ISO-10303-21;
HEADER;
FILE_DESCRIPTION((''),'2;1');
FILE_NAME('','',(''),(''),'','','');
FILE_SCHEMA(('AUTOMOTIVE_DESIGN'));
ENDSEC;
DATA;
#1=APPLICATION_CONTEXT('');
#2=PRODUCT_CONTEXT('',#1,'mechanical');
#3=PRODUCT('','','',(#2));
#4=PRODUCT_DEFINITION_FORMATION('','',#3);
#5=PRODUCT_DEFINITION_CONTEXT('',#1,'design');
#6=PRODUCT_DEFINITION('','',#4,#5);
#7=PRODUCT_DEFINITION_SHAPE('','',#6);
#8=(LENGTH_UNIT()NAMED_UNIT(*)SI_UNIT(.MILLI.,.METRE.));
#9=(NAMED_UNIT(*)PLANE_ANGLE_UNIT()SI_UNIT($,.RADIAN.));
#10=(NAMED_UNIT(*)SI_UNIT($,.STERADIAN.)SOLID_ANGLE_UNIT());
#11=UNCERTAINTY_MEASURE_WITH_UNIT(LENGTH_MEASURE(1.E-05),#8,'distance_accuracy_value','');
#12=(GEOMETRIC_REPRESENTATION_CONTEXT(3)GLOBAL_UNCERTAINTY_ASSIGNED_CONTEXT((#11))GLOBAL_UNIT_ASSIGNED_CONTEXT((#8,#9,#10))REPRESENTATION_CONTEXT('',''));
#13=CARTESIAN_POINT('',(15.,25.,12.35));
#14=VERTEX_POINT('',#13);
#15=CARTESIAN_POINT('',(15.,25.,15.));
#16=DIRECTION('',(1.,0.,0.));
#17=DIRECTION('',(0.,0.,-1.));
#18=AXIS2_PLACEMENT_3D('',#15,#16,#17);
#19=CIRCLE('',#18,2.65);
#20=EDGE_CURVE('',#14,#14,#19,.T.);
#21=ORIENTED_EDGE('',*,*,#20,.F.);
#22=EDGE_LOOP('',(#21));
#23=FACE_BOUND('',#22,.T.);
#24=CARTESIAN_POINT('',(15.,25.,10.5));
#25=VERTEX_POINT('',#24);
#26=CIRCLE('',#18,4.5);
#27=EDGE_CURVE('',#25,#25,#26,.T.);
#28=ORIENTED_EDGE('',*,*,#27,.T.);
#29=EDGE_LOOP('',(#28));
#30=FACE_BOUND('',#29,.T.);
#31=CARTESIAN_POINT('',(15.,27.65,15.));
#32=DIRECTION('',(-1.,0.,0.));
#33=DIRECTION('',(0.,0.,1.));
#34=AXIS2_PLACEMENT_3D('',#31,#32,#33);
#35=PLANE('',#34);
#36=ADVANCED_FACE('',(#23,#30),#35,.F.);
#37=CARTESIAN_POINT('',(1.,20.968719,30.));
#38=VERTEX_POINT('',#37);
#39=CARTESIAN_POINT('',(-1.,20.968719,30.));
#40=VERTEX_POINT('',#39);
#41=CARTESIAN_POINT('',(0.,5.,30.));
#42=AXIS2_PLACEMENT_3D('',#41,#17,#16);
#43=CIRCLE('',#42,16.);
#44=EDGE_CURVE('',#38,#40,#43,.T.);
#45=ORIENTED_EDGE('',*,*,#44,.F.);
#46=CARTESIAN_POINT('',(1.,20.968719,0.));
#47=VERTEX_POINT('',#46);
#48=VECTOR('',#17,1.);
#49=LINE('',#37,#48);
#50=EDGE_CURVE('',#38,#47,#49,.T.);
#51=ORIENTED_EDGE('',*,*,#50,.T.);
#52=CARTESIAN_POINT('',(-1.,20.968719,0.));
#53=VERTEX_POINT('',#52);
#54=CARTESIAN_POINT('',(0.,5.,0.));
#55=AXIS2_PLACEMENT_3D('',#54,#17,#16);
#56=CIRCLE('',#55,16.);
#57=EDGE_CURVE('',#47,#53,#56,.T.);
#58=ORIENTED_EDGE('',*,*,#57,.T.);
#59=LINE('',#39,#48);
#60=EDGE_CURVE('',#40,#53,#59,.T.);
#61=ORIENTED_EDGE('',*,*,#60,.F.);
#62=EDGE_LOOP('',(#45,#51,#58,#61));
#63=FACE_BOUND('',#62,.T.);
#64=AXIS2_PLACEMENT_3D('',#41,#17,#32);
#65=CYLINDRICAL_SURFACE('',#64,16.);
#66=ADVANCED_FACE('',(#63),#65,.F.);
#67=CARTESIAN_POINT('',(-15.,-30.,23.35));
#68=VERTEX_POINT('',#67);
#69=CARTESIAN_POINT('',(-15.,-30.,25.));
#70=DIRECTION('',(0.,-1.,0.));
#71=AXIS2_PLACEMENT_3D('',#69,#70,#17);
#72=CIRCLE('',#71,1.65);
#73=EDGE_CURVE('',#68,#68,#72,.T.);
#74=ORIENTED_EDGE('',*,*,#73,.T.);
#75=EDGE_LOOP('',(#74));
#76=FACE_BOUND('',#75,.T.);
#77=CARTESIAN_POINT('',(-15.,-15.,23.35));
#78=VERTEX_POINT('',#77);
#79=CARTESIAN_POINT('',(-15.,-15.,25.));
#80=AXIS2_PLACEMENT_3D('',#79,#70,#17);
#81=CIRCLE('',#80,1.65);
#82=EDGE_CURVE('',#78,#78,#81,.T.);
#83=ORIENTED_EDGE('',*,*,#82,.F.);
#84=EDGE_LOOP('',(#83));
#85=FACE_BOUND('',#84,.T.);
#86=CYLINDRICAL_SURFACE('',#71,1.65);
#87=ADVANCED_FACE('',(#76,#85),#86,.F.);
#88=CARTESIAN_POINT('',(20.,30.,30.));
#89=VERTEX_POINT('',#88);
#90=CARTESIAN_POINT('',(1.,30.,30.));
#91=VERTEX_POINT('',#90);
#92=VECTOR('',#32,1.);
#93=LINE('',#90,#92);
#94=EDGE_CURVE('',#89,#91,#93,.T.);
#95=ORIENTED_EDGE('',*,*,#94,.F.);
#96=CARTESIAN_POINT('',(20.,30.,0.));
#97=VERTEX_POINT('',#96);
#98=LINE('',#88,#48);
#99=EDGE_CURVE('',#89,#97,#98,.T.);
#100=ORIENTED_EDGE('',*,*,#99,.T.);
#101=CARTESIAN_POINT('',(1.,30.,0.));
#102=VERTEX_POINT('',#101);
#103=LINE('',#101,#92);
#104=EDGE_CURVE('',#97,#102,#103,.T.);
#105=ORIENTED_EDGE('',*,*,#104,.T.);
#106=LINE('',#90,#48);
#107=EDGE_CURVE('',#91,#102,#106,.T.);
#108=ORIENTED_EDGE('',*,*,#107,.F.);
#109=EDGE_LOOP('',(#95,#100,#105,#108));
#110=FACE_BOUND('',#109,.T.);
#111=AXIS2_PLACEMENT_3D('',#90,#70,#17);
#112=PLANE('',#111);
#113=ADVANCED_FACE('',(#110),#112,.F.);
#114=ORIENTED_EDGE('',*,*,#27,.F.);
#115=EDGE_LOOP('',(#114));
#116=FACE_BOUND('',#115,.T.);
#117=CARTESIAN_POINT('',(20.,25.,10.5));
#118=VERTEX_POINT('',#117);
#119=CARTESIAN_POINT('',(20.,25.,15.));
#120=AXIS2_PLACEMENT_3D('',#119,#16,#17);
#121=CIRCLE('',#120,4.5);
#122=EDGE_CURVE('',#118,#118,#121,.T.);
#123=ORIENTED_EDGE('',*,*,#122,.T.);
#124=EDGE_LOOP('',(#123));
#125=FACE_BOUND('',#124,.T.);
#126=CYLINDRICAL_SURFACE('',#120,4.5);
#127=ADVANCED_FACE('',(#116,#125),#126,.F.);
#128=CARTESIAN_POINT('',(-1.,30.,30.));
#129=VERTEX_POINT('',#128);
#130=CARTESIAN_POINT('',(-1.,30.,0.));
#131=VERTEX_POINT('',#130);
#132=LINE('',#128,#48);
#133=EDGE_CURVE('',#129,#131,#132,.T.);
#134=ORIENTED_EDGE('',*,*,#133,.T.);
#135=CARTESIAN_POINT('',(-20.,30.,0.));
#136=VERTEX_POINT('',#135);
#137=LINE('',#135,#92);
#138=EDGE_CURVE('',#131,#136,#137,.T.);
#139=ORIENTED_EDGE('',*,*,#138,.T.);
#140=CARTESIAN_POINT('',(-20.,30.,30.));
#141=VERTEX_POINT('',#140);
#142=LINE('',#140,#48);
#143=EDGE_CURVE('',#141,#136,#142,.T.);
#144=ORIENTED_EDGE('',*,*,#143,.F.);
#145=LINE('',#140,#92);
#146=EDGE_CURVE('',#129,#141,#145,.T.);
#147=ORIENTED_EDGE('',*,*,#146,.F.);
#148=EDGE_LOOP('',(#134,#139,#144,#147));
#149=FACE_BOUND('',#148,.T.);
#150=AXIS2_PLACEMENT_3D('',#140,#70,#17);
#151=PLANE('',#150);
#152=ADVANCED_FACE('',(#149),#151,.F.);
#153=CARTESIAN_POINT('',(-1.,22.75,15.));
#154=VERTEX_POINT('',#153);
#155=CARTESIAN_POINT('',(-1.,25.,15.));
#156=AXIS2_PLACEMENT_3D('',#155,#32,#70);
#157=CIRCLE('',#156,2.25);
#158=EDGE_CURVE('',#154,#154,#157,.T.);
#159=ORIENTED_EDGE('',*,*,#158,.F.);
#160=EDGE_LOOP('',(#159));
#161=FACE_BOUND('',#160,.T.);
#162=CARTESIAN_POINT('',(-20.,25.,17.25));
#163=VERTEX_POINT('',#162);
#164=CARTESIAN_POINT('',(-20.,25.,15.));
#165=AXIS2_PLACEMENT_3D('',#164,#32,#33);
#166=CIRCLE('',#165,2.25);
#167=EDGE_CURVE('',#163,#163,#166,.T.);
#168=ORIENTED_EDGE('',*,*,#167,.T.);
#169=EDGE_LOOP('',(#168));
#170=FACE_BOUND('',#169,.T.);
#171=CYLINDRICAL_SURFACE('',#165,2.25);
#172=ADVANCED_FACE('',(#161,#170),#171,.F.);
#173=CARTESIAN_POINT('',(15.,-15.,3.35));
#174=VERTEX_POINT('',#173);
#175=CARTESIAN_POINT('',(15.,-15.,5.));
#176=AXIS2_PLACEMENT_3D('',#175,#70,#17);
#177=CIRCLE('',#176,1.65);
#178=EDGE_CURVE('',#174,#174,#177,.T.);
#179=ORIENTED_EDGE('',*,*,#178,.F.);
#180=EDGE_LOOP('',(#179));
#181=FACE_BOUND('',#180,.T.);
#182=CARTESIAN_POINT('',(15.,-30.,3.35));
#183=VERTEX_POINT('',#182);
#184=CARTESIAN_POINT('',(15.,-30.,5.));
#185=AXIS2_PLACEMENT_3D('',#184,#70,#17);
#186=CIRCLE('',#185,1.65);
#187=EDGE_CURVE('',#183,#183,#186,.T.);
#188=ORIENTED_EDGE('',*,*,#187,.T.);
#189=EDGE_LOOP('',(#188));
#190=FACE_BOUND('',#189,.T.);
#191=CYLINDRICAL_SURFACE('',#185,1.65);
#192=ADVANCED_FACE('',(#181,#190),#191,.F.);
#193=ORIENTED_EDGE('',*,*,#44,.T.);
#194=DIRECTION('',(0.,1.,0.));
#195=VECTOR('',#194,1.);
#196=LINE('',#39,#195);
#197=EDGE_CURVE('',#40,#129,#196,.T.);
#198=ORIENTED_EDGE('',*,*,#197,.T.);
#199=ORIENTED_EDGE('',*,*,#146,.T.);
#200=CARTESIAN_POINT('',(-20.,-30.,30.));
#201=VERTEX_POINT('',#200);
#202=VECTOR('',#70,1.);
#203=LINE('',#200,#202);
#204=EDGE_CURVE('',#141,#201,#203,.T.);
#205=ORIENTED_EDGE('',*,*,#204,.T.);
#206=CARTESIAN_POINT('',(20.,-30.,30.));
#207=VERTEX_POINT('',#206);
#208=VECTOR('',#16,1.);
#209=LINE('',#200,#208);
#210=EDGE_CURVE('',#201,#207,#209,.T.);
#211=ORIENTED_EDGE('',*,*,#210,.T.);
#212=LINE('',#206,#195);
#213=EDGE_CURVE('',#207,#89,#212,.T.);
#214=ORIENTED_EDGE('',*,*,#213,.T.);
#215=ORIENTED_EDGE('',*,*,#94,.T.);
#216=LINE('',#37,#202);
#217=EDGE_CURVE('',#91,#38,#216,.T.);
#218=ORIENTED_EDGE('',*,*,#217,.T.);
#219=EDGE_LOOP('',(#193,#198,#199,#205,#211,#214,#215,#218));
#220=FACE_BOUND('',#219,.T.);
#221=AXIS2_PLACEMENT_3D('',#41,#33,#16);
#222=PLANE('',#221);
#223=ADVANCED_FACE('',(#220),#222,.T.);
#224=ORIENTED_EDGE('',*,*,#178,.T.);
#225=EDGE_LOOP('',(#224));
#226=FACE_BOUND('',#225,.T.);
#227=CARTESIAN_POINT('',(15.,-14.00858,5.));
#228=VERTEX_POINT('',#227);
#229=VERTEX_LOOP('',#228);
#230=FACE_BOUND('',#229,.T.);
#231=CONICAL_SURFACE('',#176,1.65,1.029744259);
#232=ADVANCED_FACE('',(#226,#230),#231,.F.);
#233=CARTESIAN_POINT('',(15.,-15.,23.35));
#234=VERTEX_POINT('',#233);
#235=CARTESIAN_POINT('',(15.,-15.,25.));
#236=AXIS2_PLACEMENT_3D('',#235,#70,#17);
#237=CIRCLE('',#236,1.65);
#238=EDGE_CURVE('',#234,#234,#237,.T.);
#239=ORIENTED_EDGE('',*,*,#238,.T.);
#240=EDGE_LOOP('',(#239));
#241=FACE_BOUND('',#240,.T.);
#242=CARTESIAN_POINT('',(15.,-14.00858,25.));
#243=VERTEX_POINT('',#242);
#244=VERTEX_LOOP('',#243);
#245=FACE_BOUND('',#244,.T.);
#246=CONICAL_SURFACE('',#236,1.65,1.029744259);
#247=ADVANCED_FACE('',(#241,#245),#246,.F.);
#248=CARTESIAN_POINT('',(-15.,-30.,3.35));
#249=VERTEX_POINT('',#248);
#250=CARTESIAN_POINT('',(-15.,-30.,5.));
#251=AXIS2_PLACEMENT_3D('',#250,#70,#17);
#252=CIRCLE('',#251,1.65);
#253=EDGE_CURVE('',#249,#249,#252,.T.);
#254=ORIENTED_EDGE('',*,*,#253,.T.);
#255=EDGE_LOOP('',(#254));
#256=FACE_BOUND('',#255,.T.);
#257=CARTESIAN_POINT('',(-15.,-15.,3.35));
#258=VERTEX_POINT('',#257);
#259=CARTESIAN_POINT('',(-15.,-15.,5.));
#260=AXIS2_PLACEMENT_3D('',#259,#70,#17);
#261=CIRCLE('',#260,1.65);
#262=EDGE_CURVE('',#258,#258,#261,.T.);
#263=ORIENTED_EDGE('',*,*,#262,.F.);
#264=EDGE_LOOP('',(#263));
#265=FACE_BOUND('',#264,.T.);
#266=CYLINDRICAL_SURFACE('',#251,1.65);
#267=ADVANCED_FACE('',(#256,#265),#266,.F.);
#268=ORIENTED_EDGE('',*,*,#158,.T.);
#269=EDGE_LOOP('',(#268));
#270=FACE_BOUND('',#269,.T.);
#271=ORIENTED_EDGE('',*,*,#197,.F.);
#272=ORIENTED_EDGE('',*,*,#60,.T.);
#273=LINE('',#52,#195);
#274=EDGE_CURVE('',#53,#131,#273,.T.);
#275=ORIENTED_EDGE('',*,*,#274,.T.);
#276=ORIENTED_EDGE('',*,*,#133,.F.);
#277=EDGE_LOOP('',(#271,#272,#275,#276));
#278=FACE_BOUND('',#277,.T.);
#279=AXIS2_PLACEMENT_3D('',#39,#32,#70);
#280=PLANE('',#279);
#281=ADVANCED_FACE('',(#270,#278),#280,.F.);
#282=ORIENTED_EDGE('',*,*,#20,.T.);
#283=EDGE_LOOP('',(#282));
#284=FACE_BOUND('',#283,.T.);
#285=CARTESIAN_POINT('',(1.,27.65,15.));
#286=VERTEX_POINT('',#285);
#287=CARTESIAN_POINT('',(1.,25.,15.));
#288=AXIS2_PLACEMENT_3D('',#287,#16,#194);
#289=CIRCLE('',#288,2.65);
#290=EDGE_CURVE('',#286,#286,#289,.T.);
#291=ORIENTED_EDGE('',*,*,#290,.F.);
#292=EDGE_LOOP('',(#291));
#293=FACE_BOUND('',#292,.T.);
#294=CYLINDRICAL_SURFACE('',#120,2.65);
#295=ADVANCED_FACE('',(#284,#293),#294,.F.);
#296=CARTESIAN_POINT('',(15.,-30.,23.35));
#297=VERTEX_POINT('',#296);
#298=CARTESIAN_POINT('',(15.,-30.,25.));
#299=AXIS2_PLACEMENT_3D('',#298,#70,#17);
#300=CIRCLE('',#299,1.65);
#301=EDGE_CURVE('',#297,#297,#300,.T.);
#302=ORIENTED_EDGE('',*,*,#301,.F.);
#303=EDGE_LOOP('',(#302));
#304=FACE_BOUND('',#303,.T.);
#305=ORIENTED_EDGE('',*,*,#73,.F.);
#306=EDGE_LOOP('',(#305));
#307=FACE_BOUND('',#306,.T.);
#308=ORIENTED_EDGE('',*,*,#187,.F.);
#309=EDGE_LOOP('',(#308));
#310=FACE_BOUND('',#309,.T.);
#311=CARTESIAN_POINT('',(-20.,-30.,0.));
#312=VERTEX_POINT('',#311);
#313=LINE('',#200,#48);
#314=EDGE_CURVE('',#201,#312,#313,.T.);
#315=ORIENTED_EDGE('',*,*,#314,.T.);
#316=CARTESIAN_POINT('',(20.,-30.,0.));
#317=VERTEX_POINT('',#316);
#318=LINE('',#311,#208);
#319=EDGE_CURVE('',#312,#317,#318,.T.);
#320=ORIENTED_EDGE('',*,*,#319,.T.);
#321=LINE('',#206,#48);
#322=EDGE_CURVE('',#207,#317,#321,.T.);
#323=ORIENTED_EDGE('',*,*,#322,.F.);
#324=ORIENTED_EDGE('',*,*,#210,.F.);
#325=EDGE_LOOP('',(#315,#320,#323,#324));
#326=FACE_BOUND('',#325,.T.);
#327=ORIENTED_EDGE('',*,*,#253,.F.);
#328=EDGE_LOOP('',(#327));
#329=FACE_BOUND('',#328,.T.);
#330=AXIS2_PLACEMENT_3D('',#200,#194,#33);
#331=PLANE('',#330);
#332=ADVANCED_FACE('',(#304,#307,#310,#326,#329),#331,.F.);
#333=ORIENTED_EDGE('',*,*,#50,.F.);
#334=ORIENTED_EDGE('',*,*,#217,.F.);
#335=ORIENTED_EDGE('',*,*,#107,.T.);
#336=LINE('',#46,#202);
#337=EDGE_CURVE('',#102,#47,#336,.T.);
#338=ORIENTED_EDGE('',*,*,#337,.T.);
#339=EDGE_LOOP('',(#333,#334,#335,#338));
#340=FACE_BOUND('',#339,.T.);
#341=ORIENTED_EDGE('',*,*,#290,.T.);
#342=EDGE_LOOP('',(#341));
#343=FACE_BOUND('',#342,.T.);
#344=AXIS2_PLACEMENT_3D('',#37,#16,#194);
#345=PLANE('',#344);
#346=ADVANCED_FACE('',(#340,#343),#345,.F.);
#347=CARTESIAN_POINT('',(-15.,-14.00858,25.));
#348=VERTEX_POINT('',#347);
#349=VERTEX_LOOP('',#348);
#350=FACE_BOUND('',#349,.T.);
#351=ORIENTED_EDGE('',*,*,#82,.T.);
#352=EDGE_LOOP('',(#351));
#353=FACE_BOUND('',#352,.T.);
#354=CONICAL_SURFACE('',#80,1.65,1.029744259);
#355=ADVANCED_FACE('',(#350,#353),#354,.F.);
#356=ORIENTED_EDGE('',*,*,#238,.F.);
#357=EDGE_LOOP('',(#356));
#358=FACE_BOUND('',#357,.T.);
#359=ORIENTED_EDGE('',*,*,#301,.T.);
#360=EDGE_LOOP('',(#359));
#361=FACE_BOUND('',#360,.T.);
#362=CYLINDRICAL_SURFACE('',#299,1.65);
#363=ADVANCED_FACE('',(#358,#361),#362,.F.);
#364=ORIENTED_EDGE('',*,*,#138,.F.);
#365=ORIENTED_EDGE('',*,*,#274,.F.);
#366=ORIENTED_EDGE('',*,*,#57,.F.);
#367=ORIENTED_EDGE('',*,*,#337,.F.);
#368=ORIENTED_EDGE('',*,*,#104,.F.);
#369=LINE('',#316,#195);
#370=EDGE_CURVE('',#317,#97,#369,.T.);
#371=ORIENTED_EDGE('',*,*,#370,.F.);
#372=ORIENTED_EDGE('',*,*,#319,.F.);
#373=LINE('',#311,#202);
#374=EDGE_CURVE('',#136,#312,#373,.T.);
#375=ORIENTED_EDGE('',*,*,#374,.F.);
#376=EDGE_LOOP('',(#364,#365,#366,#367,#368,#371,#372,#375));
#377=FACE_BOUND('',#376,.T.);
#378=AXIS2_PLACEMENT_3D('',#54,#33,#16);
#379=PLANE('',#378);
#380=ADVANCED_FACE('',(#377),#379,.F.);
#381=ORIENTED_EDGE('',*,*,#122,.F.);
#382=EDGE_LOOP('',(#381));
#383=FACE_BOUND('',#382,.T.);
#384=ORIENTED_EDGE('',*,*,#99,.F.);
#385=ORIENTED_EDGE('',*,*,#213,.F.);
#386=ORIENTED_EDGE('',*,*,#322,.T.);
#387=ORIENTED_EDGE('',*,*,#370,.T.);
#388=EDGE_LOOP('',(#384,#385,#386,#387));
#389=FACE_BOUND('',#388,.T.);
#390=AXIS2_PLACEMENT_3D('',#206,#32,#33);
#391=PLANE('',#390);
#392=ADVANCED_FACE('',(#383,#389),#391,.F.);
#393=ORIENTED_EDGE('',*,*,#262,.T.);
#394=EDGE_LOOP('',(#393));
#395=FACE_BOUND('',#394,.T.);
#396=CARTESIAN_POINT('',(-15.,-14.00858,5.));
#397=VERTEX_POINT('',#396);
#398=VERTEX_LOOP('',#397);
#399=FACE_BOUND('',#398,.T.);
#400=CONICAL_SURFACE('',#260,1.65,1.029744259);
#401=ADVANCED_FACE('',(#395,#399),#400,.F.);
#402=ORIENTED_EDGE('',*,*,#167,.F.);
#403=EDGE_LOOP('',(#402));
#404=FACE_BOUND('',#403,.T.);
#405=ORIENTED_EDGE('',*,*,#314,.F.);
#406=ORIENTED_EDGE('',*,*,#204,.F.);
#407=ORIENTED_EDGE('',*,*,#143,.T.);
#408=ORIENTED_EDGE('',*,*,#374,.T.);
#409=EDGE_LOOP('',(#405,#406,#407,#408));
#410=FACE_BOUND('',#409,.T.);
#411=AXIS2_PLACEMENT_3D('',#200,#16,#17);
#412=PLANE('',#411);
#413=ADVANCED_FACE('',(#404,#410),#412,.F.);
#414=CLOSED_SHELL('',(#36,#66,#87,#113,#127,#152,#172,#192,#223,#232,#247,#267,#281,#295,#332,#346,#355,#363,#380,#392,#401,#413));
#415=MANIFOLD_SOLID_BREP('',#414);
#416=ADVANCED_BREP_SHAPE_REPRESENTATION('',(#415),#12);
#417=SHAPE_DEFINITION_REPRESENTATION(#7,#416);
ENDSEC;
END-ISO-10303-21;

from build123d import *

# Parameters (mm, degrees)
SALIENTE_EXTRUIR1_DEPTH                              = 30
TALADRO_ROSCADO_M4X0_71_D                            = 3.3
TALADRO_ROSCADO_M4X0_71_DEPTH                        = 15
TALADRO_ROSCADO_M4X0_71_TIP                          = 0.991420021
REFRENTADO_PARA_TORNILLO_TAP_N_CON_CABEZ_D           = 5.3
REFRENTADO_PARA_TORNILLO_TAP_N_CON_CABEZ_CBORE_D     = 9
REFRENTADO_PARA_TORNILLO_TAP_N_CON_CABEZ_CBORE_DEPTH = 5
CROQUIS9_R                                           = 2.65
SALIENTE_EXTRUIR2_DEPTH                              = 19
TALADRO_ROSCADO_M5X0_82_D                            = 4.5


with BuildPart() as part:
    # Croquis1 → Saliente-Extruir1 (new body)
    with BuildSketch(Plane.XY):
        with BuildLine():
            Line((-20, -30), (20, -30))
            Line((20, -30), (20, 30))
            Line((20, 30), (1, 30))
            Line((1, 30), (1, 20.968719423))
            ThreePointArc((1, 20.968719423), (0, -11), (-1, 20.968719423))
            Line((-1, 20.968719423), (-1, 30))
            Line((-1, 30), (-20, 30))
            Line((-20, 30), (-20, -30))
        make_face()
    extrude(amount=SALIENTE_EXTRUIR1_DEPTH)

    # Taladro roscado M4x0.71
    with Locations(Plane(origin=(0, -30, 0), x_dir=(-1, 0, 0), z_dir=(0, -1, 0))):
        with Locations((-15, -5), (-15, -25), (15, -5), (15, -25)):
            Hole(TALADRO_ROSCADO_M4X0_71_D / 2, depth=TALADRO_ROSCADO_M4X0_71_DEPTH)
            with Locations((0, 0, -(TALADRO_ROSCADO_M4X0_71_DEPTH + TALADRO_ROSCADO_M4X0_71_TIP / 2))):  # 118° drill point
                Cone(0, TALADRO_ROSCADO_M4X0_71_D / 2, TALADRO_ROSCADO_M4X0_71_TIP, mode=Mode.SUBTRACT)

    # Refrentado para tornillo tapón con cabeza de clavija de M52 (through all)
    with Locations(Plane(origin=(20, 0, 0), x_dir=(0, 0, -1), z_dir=(1, 0, 0))):
        with Locations((-15, 25)):
            CounterBoreHole(REFRENTADO_PARA_TORNILLO_TAP_N_CON_CABEZ_D / 2, REFRENTADO_PARA_TORNILLO_TAP_N_CON_CABEZ_CBORE_D / 2, REFRENTADO_PARA_TORNILLO_TAP_N_CON_CABEZ_CBORE_DEPTH)

    # Croquis9 → Saliente-Extruir2 (add)
    with BuildSketch(Plane.ZY.offset(20)):
        with Locations(Location((15, 25, 0), (0, 0, 180))):
            Circle(CROQUIS9_R)
    extrude(amount=-SALIENTE_EXTRUIR2_DEPTH)

    # Taladro roscado M5x0.82 (through all)
    with Locations(Plane.ZY.offset(20)):
        with Locations((15, 25)):
            Hole(TALADRO_ROSCADO_M5X0_82_D / 2)


solid = part.part
